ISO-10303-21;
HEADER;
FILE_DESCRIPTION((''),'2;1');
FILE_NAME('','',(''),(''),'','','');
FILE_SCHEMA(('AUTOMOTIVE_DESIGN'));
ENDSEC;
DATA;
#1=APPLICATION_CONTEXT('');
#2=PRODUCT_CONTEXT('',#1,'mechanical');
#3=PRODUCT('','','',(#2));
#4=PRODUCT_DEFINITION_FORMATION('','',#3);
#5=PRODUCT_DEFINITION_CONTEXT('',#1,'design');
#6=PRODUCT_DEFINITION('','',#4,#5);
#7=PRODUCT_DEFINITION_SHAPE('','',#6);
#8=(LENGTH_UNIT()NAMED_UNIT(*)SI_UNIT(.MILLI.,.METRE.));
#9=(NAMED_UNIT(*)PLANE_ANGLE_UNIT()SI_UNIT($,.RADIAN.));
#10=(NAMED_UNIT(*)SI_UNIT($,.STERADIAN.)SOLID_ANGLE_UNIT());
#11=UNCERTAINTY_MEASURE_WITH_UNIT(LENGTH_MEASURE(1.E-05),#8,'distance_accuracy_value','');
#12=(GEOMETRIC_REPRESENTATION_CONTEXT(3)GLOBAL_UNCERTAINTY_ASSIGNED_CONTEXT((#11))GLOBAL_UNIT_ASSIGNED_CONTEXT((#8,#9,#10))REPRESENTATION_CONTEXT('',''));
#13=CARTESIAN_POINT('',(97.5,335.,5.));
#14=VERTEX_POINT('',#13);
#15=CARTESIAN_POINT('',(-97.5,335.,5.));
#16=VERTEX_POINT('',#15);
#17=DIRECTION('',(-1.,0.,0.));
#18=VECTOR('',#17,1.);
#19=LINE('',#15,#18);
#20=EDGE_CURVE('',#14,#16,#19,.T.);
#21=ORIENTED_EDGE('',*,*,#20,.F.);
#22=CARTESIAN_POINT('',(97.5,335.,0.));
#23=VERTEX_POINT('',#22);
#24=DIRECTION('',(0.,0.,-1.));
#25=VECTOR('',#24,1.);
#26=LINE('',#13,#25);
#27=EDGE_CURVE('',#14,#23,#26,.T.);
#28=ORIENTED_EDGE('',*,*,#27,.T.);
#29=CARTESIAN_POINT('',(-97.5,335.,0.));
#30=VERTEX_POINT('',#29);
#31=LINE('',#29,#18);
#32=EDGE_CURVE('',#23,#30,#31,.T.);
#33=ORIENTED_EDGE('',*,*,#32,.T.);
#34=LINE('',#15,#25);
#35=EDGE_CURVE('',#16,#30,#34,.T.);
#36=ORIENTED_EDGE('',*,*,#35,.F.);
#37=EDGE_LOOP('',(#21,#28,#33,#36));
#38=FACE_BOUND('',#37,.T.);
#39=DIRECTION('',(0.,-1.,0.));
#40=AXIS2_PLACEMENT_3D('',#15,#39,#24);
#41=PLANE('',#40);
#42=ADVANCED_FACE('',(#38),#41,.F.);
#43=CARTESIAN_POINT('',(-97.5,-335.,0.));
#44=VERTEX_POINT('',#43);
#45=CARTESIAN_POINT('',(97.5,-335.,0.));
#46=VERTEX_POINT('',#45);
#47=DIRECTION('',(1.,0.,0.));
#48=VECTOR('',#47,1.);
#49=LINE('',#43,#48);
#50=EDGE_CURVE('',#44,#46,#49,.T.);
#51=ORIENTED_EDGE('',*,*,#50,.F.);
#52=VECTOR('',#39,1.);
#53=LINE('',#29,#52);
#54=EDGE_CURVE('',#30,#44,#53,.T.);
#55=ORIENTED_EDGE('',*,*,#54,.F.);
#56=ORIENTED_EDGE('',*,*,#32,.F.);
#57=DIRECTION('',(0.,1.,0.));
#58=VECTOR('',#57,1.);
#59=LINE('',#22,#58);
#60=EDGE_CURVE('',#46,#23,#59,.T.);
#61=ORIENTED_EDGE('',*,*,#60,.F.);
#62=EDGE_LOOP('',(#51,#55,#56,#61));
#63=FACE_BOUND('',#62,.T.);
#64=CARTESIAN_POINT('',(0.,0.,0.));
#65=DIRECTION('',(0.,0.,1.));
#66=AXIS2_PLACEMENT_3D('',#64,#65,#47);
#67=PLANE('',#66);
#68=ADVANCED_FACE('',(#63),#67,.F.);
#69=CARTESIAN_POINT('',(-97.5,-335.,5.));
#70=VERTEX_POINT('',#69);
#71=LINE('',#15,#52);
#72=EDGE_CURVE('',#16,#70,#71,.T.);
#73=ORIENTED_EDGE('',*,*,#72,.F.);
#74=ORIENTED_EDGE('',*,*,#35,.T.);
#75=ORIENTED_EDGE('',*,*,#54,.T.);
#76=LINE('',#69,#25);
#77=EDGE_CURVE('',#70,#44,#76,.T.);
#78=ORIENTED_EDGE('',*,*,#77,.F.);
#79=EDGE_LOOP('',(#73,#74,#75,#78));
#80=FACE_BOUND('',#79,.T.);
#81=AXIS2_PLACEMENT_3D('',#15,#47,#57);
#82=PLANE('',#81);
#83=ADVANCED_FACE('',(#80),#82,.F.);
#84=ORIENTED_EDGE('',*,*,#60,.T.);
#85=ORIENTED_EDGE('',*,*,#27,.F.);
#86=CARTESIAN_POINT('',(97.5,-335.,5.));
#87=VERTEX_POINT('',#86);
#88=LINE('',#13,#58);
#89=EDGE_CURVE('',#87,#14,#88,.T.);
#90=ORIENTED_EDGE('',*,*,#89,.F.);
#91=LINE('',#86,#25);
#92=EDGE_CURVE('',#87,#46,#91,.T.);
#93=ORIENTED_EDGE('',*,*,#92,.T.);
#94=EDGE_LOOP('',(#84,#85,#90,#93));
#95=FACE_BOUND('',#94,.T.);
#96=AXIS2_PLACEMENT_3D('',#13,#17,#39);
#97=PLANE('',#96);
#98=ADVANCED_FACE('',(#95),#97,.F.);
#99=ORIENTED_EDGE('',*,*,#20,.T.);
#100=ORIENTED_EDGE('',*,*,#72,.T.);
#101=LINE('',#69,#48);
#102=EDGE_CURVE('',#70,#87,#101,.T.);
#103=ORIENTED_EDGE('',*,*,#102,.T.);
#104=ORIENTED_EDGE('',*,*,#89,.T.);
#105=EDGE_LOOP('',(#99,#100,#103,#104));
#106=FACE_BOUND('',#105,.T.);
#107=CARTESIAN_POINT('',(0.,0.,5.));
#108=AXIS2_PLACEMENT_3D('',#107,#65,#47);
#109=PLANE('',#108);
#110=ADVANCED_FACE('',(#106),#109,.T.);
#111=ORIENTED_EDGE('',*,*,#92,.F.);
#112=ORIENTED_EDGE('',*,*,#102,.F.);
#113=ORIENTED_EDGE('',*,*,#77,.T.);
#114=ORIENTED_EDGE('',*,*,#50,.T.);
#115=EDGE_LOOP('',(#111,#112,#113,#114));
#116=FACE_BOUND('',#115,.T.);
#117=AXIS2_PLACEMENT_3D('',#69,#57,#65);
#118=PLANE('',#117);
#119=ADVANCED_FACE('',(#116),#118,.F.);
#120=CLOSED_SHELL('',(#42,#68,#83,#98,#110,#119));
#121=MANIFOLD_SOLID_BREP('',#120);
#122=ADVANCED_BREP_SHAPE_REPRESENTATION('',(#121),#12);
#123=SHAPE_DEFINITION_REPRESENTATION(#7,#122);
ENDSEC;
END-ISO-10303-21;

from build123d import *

# Parameters (mm, degrees)
ESQUISSE1_W        = 195
ESQUISSE1_H        = 670
BOSS_EXTRU_1_DEPTH = 5


with BuildPart() as part:
    # Esquisse1 → Boss.-Extru.1 (new body)
    with BuildSketch(Plane.XY):
        Rectangle(ESQUISSE1_W, ESQUISSE1_H)
    extrude(amount=BOSS_EXTRU_1_DEPTH)


solid = part.part
